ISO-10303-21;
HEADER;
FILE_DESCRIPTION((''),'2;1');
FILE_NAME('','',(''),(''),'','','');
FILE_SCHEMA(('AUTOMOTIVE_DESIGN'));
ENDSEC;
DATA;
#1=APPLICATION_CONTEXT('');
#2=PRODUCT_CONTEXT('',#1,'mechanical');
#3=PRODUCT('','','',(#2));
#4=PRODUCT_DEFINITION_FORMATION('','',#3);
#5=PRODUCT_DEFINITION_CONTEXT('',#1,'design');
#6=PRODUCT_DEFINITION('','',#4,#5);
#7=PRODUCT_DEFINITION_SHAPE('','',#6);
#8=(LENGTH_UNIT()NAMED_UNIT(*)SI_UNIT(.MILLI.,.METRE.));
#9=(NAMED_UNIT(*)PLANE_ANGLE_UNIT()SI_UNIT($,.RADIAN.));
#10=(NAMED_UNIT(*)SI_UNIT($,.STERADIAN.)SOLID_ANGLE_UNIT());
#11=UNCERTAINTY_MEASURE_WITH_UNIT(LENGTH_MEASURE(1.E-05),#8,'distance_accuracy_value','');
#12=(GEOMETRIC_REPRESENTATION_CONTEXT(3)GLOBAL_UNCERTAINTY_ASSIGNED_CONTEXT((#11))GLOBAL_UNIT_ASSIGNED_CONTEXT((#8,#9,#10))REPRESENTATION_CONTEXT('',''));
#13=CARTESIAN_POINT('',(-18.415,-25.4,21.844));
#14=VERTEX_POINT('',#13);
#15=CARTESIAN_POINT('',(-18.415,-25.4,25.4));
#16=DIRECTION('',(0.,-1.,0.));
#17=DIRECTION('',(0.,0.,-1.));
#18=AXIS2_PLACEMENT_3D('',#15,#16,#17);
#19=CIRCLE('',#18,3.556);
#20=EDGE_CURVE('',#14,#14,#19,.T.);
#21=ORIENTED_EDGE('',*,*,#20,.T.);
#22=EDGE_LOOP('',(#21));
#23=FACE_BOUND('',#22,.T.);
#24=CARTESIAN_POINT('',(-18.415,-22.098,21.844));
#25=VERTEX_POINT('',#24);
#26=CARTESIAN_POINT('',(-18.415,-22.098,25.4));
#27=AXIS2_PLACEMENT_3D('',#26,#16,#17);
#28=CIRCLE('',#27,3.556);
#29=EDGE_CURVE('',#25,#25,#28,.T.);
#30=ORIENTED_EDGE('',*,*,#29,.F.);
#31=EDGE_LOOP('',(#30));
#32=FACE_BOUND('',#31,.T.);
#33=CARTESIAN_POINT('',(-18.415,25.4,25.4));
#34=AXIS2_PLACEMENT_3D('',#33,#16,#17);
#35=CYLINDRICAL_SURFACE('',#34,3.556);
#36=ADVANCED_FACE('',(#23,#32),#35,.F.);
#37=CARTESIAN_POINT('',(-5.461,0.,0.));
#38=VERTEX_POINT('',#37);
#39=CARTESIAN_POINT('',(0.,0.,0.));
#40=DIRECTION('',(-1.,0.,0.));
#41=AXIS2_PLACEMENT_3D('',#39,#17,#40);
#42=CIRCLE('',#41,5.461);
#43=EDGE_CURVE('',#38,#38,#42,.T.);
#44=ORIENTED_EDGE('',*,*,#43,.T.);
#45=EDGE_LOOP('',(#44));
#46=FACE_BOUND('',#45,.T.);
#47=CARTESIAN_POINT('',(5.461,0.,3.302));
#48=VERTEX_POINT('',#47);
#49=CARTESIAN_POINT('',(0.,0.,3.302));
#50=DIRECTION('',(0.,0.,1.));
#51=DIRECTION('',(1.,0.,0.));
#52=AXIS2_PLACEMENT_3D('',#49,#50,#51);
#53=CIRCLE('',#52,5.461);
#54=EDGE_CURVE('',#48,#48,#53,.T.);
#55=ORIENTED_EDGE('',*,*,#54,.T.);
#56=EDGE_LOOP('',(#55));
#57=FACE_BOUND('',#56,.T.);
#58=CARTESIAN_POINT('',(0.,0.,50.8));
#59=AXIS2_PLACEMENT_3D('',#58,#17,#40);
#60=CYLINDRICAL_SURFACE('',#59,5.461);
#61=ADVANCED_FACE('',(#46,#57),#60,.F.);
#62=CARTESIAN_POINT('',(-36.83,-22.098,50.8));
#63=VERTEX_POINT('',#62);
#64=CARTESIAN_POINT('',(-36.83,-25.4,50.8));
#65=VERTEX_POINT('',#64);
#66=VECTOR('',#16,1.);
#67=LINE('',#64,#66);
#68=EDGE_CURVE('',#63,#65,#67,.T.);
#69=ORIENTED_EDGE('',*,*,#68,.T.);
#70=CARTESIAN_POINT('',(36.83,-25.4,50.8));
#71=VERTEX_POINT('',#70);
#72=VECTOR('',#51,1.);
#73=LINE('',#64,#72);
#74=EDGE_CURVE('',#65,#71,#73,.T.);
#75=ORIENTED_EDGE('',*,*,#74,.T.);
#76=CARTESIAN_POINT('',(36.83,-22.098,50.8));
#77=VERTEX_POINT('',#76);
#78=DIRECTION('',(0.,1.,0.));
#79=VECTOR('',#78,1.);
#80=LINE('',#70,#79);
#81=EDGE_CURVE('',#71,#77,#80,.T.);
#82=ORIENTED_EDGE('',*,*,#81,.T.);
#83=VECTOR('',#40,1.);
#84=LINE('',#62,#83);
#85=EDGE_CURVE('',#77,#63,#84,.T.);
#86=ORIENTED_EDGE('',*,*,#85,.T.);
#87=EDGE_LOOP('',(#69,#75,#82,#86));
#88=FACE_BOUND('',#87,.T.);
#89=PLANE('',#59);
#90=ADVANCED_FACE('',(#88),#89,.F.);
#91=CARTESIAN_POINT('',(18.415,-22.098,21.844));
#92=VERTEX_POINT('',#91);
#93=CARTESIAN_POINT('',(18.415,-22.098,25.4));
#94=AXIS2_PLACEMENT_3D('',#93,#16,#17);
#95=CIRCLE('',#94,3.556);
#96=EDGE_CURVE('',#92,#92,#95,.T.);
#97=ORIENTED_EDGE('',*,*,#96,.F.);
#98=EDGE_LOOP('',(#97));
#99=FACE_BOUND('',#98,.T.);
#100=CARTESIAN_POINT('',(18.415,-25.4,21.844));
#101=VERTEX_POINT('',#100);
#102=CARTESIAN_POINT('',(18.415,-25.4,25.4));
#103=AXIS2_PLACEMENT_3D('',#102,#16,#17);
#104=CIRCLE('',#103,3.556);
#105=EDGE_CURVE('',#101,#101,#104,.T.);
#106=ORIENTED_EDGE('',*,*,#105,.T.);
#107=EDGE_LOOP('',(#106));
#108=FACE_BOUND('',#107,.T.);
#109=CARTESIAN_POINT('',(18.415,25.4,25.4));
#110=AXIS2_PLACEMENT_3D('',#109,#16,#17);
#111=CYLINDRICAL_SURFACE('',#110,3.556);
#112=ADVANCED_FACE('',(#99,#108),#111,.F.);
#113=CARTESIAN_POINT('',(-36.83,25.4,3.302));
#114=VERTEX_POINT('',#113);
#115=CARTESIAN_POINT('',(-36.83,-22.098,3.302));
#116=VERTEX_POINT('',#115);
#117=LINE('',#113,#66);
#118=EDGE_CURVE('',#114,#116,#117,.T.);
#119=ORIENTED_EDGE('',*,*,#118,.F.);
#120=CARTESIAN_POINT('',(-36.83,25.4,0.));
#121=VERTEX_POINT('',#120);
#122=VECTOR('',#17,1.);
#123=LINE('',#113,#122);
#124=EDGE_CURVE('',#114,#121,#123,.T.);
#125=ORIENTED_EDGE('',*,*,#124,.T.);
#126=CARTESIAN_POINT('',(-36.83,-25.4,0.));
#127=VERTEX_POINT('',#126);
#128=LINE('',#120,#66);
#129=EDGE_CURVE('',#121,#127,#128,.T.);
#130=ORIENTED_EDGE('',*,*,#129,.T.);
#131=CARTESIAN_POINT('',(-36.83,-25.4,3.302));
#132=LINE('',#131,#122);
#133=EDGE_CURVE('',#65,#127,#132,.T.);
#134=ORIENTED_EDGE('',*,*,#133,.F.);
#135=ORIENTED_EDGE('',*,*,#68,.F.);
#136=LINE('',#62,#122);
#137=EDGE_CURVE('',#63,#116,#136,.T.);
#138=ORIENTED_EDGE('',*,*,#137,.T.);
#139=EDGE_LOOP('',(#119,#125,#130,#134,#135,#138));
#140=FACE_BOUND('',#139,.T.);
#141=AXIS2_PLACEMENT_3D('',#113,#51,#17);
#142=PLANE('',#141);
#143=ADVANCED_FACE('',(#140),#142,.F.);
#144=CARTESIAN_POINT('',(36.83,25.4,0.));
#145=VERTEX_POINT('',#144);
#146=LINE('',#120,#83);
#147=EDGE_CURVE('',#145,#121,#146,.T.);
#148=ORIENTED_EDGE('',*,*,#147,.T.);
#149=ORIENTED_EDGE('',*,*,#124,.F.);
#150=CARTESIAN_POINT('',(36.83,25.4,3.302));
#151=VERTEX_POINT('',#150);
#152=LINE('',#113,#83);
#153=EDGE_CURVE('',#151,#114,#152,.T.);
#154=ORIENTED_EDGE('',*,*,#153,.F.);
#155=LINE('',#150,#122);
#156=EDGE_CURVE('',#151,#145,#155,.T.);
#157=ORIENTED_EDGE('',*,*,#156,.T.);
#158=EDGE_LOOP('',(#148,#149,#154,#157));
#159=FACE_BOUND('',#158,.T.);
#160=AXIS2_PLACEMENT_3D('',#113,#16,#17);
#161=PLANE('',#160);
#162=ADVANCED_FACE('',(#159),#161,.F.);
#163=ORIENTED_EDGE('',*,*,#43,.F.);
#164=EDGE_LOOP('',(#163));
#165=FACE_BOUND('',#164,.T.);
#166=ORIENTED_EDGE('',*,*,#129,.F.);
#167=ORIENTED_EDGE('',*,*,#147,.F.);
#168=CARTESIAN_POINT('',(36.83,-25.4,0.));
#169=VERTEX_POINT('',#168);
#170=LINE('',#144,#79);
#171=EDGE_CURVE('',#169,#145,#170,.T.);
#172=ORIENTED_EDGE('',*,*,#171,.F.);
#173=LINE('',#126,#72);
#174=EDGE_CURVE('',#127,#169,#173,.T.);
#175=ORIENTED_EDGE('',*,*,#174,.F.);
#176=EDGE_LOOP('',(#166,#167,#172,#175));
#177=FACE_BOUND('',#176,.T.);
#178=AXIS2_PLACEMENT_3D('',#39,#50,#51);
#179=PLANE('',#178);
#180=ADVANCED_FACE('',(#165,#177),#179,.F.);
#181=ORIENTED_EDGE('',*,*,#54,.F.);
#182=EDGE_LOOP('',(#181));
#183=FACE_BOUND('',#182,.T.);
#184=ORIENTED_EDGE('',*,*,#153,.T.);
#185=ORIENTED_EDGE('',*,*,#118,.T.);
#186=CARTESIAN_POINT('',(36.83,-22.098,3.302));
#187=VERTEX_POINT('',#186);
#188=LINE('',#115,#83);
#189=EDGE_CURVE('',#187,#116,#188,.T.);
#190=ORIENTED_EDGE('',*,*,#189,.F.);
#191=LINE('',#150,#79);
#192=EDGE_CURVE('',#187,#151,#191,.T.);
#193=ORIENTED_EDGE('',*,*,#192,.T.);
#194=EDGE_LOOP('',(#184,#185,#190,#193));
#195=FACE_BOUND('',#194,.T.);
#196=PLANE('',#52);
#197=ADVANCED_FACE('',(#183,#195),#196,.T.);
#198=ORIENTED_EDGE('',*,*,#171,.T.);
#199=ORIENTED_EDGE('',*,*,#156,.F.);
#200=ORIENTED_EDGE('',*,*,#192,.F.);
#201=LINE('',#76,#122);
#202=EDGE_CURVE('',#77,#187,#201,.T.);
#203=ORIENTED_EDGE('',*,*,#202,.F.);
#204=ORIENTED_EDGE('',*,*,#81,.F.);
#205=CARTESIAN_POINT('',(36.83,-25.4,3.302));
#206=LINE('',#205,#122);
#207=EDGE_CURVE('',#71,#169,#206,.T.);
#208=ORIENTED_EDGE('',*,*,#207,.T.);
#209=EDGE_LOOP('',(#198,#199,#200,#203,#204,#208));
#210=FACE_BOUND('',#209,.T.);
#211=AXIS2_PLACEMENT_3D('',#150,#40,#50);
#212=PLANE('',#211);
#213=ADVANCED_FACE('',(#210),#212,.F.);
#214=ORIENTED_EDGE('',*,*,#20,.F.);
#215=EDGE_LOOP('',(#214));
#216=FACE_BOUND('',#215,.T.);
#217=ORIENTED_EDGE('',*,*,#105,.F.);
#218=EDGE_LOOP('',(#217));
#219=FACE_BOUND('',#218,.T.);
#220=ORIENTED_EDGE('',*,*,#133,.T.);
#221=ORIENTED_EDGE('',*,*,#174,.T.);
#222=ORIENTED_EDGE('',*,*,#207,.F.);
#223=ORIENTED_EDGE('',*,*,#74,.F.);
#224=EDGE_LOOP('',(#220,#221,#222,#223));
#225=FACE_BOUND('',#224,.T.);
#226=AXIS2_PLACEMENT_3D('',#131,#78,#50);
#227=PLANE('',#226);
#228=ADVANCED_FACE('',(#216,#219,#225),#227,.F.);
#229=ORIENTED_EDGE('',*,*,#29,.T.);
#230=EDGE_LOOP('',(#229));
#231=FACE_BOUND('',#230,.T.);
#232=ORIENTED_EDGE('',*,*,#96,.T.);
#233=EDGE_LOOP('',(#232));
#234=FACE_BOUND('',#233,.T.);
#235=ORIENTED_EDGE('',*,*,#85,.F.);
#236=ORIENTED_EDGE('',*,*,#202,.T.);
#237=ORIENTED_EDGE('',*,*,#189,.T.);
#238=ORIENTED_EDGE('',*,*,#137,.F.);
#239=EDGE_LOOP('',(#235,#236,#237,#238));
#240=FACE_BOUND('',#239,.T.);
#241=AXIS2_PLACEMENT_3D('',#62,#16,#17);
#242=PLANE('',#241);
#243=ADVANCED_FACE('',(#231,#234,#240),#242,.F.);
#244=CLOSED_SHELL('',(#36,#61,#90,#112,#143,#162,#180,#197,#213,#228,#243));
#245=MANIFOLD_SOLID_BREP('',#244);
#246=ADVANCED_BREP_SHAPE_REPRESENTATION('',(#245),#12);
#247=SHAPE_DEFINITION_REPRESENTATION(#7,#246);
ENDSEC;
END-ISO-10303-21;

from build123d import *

# Parameters (mm, degrees)
SKETCH1_W           = 73.66
SKETCH1_H           = 50.8
BOSS_EXTRUDE2_DEPTH = 3.302
SKETCH4_W           = 73.66
SKETCH4_H           = 3.302
BOSS_EXTRUDE3_DEPTH = 47.498
SKETCH5_R           = 5.461
CUT_EXTRUDE2_DEPTH  = 68.692310494
SKETCH8_R           = 3.556
CUT_EXTRUDE3_DEPTH  = 81.732452583


with BuildPart() as part:
    # Sketch1 → Boss-Extrude2 (new body)
    with BuildSketch(Plane.XY):
        Rectangle(SKETCH1_W, SKETCH1_H)
    extrude(amount=BOSS_EXTRUDE2_DEPTH)

    # Sketch4 → Boss-Extrude3 (add)
    with BuildSketch(Plane.XY.offset(3.302)):
        with Locations((0, -23.749)):
            Rectangle(SKETCH4_W, SKETCH4_H)
    extrude(amount=BOSS_EXTRUDE3_DEPTH)

    # Sketch5 → Cut-Extrude2 (cut, through all)
    with BuildSketch(Plane(origin=(0, 0, 0), x_dir=(-1, 0, 0), z_dir=(0, 0, -1))):
        Circle(SKETCH5_R)
    extrude(amount=-CUT_EXTRUDE2_DEPTH, mode=Mode.SUBTRACT)

    # Sketch8 → Cut-Extrude3 (cut, through all)
    with BuildSketch(Plane.XZ.offset(25.4)):
        with Locations(Location((-18.415, 25.4, 0), (0, 0, 270))):
            Circle(SKETCH8_R)
        with Locations(Location((18.415, 25.4, 0), (0, 0, 270))):
            Circle(SKETCH8_R)
    extrude(amount=-CUT_EXTRUDE3_DEPTH, mode=Mode.SUBTRACT)


solid = part.part
